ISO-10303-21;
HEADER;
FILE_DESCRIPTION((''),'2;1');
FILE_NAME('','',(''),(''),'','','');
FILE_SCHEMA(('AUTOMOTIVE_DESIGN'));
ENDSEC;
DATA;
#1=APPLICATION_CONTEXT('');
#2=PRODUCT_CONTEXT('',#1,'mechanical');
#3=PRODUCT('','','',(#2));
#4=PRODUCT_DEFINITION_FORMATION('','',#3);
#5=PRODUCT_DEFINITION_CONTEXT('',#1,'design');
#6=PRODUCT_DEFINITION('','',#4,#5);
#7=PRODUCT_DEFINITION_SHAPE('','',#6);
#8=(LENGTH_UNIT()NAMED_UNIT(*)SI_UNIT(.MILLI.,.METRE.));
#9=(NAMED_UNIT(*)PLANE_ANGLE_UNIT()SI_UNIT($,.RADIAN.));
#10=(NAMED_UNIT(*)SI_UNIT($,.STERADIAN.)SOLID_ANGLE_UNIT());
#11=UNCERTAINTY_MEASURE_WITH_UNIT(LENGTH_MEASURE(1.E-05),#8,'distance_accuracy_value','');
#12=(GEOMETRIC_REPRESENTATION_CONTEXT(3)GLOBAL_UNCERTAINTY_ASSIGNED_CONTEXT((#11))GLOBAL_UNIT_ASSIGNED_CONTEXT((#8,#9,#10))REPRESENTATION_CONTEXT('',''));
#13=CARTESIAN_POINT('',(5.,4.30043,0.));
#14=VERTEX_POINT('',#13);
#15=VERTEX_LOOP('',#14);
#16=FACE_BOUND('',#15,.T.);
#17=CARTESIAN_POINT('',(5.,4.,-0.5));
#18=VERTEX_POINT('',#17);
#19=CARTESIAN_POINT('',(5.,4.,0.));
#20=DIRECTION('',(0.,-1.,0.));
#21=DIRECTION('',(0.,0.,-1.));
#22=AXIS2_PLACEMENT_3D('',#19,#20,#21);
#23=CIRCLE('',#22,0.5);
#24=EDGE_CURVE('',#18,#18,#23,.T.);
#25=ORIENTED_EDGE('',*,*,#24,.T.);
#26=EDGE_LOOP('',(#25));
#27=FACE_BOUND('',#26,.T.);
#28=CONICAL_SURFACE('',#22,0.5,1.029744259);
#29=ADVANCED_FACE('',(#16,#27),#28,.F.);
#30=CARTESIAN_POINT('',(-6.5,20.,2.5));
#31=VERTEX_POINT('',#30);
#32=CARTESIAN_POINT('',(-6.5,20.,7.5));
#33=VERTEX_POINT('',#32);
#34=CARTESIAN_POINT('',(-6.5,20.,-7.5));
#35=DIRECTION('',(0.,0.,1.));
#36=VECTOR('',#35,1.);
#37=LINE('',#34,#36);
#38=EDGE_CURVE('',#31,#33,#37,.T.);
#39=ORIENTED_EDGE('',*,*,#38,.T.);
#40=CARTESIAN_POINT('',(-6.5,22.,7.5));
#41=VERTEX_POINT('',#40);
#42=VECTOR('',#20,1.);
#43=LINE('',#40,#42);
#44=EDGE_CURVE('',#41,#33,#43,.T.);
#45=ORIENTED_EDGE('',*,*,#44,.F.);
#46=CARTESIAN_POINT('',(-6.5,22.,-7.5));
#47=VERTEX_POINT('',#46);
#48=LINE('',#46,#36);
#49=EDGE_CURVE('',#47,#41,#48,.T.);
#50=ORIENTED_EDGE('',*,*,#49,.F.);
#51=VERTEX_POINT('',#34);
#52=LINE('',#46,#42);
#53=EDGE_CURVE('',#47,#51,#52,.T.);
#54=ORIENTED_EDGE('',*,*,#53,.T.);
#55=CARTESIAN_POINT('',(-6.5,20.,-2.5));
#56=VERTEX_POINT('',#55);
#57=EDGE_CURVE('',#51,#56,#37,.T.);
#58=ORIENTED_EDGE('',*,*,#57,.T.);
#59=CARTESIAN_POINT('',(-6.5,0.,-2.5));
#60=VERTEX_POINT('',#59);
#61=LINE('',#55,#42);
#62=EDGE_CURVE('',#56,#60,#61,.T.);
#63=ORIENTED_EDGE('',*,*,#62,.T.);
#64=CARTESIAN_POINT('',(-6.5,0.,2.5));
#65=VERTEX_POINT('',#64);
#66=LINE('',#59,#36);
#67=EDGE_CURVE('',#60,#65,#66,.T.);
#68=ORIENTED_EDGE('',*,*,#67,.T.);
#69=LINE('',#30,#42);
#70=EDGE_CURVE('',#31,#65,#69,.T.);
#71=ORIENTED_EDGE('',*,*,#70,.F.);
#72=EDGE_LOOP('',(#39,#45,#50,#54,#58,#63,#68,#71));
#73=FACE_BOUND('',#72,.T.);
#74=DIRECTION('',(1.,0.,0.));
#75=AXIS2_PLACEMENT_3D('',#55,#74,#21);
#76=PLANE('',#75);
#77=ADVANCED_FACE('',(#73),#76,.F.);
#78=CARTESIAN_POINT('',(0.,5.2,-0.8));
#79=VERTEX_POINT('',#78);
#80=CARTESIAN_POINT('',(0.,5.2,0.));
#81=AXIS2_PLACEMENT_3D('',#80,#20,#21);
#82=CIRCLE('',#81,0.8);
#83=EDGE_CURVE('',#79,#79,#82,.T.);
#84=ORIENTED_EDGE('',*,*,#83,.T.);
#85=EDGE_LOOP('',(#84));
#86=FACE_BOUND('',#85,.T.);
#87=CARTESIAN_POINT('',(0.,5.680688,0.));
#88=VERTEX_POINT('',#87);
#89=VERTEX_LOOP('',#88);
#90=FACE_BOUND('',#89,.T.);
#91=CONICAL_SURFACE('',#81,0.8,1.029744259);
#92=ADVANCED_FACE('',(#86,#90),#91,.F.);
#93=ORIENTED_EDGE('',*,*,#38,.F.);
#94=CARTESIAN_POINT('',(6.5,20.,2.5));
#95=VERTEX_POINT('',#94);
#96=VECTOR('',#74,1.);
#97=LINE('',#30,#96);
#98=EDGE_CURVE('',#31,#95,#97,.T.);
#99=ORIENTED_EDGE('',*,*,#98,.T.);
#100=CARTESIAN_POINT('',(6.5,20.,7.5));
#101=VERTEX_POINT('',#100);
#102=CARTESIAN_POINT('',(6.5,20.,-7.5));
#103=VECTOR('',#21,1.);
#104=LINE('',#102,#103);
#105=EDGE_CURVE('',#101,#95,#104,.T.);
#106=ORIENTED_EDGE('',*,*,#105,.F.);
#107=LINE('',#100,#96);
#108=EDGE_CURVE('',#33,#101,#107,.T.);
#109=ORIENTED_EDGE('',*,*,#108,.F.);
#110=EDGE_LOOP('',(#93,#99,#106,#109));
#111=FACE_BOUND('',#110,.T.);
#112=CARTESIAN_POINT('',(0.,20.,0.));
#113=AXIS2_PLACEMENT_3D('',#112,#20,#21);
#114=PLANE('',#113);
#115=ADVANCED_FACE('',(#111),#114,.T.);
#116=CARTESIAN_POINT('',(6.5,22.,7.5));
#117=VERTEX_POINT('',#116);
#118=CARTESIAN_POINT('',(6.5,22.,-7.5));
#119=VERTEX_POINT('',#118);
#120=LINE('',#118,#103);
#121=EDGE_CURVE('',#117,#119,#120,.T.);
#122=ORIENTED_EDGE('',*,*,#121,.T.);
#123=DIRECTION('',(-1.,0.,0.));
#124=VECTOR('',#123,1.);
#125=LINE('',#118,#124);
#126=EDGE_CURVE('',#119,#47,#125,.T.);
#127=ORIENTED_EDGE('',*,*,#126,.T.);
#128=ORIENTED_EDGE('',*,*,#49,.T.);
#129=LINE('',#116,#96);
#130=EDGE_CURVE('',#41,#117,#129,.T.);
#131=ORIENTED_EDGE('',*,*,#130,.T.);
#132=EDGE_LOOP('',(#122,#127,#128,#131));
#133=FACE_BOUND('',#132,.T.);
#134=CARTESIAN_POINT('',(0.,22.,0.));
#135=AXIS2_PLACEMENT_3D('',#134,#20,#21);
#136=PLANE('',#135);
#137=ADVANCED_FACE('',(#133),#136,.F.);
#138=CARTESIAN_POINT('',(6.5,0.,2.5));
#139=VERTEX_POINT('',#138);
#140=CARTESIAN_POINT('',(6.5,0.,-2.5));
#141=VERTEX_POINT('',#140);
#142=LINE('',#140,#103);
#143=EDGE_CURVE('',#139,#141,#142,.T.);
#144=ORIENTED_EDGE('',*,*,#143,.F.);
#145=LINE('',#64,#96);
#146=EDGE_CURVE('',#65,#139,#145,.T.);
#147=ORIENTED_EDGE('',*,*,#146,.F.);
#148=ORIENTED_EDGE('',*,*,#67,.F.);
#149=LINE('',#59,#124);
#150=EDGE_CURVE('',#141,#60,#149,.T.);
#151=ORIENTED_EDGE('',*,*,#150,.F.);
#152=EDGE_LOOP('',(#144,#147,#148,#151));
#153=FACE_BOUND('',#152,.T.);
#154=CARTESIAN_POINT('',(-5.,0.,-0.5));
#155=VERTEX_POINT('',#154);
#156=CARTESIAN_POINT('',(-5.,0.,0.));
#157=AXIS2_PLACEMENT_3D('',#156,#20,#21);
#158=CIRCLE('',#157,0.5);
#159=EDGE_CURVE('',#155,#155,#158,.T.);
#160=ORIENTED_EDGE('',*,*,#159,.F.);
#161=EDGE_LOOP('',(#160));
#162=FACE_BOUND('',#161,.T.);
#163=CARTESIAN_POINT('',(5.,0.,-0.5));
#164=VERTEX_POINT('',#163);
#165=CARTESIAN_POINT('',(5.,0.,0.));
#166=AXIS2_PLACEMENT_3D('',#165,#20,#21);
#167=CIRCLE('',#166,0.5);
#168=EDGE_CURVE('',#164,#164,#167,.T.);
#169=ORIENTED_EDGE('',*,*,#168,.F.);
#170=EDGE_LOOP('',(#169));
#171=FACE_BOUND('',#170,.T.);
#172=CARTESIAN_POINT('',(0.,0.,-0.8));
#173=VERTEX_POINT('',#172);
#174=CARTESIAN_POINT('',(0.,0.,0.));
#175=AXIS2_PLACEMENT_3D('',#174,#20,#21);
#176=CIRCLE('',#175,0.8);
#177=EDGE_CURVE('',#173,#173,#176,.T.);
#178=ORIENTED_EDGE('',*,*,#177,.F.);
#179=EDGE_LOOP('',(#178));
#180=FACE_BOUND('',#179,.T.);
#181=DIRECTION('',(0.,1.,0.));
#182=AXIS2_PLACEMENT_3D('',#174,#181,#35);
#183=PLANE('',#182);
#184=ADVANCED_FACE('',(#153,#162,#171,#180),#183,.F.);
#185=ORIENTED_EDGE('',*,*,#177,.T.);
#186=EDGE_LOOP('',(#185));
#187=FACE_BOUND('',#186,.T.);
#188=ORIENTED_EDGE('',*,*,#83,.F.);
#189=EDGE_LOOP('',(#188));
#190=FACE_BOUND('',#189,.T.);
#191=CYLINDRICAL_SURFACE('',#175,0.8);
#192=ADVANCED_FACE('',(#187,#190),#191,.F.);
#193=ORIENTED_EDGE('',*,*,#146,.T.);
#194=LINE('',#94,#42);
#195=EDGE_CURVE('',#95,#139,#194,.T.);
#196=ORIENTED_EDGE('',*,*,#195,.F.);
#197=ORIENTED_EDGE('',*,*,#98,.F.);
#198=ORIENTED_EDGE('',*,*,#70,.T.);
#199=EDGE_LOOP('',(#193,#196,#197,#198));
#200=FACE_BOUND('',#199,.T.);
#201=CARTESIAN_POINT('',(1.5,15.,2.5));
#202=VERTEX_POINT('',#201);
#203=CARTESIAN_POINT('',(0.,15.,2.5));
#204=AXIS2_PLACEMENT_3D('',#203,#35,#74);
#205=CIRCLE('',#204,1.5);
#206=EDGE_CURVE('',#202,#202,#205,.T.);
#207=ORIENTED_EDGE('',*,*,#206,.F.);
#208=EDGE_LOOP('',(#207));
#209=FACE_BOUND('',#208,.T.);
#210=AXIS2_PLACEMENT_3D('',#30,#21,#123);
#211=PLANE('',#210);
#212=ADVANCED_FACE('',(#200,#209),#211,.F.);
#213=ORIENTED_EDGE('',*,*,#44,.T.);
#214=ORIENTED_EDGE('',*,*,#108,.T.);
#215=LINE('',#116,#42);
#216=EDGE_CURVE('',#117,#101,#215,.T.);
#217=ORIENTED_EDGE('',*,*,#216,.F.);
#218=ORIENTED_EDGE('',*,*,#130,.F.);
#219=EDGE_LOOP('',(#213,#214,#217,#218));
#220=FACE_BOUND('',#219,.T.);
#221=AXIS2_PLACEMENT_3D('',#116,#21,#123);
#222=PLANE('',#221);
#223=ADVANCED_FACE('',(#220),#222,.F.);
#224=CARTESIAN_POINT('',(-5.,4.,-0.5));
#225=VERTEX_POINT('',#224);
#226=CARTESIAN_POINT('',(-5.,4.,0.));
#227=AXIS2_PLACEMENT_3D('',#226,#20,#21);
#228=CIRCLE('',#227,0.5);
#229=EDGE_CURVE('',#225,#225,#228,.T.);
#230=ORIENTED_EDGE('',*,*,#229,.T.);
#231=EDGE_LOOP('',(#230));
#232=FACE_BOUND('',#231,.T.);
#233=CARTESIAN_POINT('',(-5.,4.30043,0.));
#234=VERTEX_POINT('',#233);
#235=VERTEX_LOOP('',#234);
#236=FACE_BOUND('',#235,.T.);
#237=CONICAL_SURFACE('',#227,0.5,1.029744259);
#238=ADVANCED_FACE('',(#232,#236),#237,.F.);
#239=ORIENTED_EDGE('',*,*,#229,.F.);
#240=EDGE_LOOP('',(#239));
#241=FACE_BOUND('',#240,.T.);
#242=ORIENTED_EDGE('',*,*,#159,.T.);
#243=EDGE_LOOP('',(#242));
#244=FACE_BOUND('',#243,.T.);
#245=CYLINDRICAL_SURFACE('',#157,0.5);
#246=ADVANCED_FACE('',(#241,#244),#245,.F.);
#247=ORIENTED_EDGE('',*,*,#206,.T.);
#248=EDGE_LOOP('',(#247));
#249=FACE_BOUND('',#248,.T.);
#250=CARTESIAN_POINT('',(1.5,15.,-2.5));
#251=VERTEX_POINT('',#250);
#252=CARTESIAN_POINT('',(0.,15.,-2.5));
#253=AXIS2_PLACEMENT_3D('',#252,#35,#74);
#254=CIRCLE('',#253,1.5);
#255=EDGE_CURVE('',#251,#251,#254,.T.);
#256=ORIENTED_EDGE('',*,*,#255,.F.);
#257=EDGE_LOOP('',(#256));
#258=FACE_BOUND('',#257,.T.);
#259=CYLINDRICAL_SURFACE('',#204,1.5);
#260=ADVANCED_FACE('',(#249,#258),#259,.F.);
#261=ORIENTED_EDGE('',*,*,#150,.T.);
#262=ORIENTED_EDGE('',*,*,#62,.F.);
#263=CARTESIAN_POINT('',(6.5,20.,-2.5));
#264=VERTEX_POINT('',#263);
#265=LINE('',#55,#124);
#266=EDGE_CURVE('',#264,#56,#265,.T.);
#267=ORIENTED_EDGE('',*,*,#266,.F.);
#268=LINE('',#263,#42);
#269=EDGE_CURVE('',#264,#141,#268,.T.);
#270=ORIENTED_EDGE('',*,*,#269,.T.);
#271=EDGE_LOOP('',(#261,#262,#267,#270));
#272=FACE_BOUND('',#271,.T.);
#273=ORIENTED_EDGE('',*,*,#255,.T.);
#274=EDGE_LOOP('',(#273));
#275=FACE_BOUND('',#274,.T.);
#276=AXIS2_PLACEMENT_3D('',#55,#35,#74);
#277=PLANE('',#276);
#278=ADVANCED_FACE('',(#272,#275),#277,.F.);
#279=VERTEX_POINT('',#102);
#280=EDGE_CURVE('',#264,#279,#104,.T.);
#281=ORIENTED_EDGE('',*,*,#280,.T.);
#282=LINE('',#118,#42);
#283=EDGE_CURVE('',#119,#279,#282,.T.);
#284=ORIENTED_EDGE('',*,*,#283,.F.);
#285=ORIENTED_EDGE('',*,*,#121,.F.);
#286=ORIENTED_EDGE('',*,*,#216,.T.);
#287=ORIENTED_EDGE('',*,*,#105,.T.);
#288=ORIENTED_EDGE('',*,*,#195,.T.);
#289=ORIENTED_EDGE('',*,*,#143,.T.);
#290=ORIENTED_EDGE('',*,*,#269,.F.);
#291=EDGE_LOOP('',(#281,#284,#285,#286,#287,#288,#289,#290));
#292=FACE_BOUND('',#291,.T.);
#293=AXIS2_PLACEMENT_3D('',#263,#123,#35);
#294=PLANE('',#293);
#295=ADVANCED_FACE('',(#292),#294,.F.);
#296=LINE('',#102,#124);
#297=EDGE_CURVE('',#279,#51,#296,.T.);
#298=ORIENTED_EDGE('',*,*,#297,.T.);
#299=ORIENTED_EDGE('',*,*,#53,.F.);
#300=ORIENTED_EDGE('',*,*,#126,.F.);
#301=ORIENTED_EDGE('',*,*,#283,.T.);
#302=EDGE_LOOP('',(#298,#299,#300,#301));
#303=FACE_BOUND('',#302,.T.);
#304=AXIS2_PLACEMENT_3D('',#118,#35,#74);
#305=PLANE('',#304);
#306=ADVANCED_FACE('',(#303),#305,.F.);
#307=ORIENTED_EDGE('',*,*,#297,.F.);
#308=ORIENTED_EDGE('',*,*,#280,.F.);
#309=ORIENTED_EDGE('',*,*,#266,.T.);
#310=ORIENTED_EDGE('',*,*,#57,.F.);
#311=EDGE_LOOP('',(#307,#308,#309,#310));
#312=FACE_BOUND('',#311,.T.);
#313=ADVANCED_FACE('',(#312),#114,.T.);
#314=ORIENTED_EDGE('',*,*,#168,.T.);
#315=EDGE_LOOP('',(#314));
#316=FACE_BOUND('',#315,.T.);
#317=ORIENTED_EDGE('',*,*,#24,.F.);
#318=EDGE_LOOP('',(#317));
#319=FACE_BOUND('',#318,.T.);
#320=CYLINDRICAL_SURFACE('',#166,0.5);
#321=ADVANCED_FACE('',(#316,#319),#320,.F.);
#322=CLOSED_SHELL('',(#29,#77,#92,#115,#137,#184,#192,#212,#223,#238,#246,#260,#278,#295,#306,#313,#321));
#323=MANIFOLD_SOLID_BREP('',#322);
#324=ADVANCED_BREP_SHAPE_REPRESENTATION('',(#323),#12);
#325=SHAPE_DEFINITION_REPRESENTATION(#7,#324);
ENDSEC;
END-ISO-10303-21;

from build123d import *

# Parameters (mm, degrees)
SKETCH1_W                = 13
SKETCH1_H                = 5
BOSS_EXTRUDE1_DEPTH      = 20
M2_TAPPED_HOLE1_D        = 1.6
M2_TAPPED_HOLE1_DEPTH    = 5.2
M2_TAPPED_HOLE1_TIP      = 0.480688495
F_3_0_3_DIAMETER_HOLE1_D = 3
SKETCH7_W                = 13
SKETCH7_H                = 15
BOSS_EXTRUDE2_DEPTH      = 2


with BuildPart() as part:
    # Sketch1 → Boss-Extrude1 (new body)
    with BuildSketch(Plane(origin=(0, 0, 0), x_dir=(1, 0, 0), z_dir=(0, 1, 0))):
        Rectangle(SKETCH1_W, SKETCH1_H)
    extrude(amount=BOSS_EXTRUDE1_DEPTH)

    # M2 Tapped Hole1
    with Locations(Plane(origin=(0, 0, 0), x_dir=(0, 0, -1), z_dir=(0, -1, 0))):
        with Locations((0, 0)):
            Hole(M2_TAPPED_HOLE1_D / 2, depth=M2_TAPPED_HOLE1_DEPTH)
            with Locations((0, 0, -(M2_TAPPED_HOLE1_DEPTH + M2_TAPPED_HOLE1_TIP / 2))):  # 118° drill point
                Cone(0, M2_TAPPED_HOLE1_D / 2, M2_TAPPED_HOLE1_TIP, mode=Mode.SUBTRACT)

    # Sketch4 → Ø1.0mm Dowel Hole1 (revolve, cut)
    with BuildSketch(Plane(origin=(-5, 0, 0), x_dir=(0, 0, -1), z_dir=(1, 0, 0))):
        Polygon((0, 0), (0, 4.30043031), (0.5, 4), (0.5, 0), align=None)
    f_1_0mm_dowel_hole1 = revolve(axis=Axis((-5, -6.35, 0), (0, 1, 0)), mode=Mode.SUBTRACT)

    # Mirror1: Ø1.0mm Dowel Hole1 across plane
    add(f_1_0mm_dowel_hole1.mirror(Plane(origin=(0, 0, 0), x_dir=(0, 0, 1), z_dir=(1, 0, 0))), mode=Mode.SUBTRACT)

    # Ø3.0 (3) Diameter Hole1 (through all)
    with Locations(Plane(origin=(0, 15, 2.5), x_dir=(1, 0, 0), z_dir=(0, 0, 1))):
        with Locations((0, 0)):
            Hole(F_3_0_3_DIAMETER_HOLE1_D / 2)

    # Sketch7 → Boss-Extrude2 (add)
    with BuildSketch(Plane(origin=(0, 20, 0), x_dir=(1, 0, 0), z_dir=(0, 1, 0))):
        Rectangle(SKETCH7_W, SKETCH7_H)
    extrude(amount=BOSS_EXTRUDE2_DEPTH)


solid = part.part
